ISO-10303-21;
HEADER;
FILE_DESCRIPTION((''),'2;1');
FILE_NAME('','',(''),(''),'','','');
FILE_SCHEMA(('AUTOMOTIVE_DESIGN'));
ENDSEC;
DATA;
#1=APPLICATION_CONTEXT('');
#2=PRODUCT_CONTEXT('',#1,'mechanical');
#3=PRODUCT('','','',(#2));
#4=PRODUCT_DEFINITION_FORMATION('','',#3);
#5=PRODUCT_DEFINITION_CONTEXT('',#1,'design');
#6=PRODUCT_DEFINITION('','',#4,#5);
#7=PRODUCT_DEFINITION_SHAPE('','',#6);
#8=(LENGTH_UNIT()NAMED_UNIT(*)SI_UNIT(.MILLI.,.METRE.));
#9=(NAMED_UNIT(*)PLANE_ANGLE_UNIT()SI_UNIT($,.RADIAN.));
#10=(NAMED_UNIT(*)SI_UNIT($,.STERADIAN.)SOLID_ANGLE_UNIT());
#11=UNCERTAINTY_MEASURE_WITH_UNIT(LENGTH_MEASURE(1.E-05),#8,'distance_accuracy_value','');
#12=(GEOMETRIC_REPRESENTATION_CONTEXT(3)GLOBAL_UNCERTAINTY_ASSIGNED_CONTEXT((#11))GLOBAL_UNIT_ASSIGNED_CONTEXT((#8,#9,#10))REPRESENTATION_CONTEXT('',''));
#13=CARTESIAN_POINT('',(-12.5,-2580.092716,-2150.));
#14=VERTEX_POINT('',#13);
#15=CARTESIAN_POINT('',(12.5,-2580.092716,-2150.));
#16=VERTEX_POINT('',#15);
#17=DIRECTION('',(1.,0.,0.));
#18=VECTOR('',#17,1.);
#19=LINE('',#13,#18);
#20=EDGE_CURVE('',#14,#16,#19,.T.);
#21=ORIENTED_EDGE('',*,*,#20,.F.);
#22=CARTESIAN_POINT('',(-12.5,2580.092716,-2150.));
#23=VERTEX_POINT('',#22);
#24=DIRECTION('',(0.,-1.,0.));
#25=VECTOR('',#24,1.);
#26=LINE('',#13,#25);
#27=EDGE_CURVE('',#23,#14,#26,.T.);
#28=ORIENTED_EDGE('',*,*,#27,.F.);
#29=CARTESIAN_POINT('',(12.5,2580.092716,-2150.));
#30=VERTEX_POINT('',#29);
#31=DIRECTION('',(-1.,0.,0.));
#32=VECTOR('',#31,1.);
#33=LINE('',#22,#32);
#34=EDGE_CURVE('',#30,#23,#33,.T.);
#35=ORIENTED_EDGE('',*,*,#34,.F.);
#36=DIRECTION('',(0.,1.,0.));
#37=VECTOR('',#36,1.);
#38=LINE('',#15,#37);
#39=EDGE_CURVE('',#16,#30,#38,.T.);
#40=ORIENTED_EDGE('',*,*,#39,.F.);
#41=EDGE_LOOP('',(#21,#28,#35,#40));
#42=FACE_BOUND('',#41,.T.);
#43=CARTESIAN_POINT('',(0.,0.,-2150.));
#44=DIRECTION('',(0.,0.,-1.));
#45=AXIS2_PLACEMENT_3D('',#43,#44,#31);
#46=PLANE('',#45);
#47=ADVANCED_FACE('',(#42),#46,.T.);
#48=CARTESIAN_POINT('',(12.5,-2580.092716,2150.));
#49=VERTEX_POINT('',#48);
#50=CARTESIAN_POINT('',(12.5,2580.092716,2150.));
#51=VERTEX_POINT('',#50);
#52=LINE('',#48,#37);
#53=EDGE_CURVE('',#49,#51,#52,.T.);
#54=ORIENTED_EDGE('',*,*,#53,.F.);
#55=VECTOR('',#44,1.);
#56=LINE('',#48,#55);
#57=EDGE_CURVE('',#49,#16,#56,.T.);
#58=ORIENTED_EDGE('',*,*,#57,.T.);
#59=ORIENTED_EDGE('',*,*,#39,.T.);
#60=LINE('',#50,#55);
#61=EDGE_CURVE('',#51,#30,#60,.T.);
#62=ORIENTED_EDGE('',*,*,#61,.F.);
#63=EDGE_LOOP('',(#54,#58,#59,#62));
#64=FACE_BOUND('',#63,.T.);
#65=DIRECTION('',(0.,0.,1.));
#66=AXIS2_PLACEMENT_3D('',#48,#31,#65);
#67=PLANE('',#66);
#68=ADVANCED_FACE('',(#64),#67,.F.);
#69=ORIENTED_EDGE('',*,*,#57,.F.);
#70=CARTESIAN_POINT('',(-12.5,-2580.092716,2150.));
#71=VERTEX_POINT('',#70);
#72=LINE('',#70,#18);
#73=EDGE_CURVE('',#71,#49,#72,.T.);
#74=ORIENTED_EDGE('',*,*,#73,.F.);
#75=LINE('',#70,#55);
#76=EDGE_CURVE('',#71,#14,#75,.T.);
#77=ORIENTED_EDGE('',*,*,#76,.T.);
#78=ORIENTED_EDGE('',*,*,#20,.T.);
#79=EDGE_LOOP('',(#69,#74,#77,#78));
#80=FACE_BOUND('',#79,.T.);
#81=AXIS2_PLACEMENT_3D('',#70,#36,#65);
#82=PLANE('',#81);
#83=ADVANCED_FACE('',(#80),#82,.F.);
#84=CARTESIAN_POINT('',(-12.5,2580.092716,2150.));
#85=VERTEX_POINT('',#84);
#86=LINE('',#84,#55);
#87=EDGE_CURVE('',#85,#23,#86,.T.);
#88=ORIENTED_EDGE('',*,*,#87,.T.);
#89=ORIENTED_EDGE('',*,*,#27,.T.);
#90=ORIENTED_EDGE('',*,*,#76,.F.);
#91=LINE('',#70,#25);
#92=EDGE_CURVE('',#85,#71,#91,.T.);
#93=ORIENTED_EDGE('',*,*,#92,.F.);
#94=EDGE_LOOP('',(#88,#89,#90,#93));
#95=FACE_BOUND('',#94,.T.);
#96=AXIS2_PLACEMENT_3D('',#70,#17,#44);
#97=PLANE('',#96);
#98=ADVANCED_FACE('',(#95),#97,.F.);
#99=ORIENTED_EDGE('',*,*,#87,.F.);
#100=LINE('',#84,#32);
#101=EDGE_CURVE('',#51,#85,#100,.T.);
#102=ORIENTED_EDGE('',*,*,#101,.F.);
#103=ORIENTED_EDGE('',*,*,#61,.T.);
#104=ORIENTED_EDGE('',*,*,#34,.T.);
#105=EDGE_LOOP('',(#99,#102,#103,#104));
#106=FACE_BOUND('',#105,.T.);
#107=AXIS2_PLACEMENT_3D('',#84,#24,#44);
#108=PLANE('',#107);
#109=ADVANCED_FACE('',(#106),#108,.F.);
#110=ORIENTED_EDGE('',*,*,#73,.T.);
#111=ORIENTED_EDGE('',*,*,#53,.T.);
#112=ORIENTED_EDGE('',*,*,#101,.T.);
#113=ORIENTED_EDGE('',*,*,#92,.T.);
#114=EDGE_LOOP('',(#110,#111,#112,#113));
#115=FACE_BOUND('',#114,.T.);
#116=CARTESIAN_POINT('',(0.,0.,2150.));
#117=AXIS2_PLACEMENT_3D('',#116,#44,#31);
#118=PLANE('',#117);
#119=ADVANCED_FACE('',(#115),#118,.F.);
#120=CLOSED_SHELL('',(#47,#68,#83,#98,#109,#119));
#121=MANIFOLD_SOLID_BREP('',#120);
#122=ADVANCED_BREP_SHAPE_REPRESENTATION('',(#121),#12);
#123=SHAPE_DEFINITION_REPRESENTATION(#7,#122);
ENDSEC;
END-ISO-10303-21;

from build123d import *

# Parameters (mm, degrees)
BOSS_EXTRUDE1_START = -2150
SKETCH1_W           = 25
SKETCH1_H           = 5160.185431966
BOSS_EXTRUDE1_DEPTH = 4300


with BuildPart() as part:
    # Sketch1 → Boss-Extrude1 (new body)
    with BuildSketch(Plane.XY.offset(BOSS_EXTRUDE1_START)):
        Rectangle(SKETCH1_W, SKETCH1_H)
    extrude(amount=BOSS_EXTRUDE1_DEPTH)


solid = part.part
